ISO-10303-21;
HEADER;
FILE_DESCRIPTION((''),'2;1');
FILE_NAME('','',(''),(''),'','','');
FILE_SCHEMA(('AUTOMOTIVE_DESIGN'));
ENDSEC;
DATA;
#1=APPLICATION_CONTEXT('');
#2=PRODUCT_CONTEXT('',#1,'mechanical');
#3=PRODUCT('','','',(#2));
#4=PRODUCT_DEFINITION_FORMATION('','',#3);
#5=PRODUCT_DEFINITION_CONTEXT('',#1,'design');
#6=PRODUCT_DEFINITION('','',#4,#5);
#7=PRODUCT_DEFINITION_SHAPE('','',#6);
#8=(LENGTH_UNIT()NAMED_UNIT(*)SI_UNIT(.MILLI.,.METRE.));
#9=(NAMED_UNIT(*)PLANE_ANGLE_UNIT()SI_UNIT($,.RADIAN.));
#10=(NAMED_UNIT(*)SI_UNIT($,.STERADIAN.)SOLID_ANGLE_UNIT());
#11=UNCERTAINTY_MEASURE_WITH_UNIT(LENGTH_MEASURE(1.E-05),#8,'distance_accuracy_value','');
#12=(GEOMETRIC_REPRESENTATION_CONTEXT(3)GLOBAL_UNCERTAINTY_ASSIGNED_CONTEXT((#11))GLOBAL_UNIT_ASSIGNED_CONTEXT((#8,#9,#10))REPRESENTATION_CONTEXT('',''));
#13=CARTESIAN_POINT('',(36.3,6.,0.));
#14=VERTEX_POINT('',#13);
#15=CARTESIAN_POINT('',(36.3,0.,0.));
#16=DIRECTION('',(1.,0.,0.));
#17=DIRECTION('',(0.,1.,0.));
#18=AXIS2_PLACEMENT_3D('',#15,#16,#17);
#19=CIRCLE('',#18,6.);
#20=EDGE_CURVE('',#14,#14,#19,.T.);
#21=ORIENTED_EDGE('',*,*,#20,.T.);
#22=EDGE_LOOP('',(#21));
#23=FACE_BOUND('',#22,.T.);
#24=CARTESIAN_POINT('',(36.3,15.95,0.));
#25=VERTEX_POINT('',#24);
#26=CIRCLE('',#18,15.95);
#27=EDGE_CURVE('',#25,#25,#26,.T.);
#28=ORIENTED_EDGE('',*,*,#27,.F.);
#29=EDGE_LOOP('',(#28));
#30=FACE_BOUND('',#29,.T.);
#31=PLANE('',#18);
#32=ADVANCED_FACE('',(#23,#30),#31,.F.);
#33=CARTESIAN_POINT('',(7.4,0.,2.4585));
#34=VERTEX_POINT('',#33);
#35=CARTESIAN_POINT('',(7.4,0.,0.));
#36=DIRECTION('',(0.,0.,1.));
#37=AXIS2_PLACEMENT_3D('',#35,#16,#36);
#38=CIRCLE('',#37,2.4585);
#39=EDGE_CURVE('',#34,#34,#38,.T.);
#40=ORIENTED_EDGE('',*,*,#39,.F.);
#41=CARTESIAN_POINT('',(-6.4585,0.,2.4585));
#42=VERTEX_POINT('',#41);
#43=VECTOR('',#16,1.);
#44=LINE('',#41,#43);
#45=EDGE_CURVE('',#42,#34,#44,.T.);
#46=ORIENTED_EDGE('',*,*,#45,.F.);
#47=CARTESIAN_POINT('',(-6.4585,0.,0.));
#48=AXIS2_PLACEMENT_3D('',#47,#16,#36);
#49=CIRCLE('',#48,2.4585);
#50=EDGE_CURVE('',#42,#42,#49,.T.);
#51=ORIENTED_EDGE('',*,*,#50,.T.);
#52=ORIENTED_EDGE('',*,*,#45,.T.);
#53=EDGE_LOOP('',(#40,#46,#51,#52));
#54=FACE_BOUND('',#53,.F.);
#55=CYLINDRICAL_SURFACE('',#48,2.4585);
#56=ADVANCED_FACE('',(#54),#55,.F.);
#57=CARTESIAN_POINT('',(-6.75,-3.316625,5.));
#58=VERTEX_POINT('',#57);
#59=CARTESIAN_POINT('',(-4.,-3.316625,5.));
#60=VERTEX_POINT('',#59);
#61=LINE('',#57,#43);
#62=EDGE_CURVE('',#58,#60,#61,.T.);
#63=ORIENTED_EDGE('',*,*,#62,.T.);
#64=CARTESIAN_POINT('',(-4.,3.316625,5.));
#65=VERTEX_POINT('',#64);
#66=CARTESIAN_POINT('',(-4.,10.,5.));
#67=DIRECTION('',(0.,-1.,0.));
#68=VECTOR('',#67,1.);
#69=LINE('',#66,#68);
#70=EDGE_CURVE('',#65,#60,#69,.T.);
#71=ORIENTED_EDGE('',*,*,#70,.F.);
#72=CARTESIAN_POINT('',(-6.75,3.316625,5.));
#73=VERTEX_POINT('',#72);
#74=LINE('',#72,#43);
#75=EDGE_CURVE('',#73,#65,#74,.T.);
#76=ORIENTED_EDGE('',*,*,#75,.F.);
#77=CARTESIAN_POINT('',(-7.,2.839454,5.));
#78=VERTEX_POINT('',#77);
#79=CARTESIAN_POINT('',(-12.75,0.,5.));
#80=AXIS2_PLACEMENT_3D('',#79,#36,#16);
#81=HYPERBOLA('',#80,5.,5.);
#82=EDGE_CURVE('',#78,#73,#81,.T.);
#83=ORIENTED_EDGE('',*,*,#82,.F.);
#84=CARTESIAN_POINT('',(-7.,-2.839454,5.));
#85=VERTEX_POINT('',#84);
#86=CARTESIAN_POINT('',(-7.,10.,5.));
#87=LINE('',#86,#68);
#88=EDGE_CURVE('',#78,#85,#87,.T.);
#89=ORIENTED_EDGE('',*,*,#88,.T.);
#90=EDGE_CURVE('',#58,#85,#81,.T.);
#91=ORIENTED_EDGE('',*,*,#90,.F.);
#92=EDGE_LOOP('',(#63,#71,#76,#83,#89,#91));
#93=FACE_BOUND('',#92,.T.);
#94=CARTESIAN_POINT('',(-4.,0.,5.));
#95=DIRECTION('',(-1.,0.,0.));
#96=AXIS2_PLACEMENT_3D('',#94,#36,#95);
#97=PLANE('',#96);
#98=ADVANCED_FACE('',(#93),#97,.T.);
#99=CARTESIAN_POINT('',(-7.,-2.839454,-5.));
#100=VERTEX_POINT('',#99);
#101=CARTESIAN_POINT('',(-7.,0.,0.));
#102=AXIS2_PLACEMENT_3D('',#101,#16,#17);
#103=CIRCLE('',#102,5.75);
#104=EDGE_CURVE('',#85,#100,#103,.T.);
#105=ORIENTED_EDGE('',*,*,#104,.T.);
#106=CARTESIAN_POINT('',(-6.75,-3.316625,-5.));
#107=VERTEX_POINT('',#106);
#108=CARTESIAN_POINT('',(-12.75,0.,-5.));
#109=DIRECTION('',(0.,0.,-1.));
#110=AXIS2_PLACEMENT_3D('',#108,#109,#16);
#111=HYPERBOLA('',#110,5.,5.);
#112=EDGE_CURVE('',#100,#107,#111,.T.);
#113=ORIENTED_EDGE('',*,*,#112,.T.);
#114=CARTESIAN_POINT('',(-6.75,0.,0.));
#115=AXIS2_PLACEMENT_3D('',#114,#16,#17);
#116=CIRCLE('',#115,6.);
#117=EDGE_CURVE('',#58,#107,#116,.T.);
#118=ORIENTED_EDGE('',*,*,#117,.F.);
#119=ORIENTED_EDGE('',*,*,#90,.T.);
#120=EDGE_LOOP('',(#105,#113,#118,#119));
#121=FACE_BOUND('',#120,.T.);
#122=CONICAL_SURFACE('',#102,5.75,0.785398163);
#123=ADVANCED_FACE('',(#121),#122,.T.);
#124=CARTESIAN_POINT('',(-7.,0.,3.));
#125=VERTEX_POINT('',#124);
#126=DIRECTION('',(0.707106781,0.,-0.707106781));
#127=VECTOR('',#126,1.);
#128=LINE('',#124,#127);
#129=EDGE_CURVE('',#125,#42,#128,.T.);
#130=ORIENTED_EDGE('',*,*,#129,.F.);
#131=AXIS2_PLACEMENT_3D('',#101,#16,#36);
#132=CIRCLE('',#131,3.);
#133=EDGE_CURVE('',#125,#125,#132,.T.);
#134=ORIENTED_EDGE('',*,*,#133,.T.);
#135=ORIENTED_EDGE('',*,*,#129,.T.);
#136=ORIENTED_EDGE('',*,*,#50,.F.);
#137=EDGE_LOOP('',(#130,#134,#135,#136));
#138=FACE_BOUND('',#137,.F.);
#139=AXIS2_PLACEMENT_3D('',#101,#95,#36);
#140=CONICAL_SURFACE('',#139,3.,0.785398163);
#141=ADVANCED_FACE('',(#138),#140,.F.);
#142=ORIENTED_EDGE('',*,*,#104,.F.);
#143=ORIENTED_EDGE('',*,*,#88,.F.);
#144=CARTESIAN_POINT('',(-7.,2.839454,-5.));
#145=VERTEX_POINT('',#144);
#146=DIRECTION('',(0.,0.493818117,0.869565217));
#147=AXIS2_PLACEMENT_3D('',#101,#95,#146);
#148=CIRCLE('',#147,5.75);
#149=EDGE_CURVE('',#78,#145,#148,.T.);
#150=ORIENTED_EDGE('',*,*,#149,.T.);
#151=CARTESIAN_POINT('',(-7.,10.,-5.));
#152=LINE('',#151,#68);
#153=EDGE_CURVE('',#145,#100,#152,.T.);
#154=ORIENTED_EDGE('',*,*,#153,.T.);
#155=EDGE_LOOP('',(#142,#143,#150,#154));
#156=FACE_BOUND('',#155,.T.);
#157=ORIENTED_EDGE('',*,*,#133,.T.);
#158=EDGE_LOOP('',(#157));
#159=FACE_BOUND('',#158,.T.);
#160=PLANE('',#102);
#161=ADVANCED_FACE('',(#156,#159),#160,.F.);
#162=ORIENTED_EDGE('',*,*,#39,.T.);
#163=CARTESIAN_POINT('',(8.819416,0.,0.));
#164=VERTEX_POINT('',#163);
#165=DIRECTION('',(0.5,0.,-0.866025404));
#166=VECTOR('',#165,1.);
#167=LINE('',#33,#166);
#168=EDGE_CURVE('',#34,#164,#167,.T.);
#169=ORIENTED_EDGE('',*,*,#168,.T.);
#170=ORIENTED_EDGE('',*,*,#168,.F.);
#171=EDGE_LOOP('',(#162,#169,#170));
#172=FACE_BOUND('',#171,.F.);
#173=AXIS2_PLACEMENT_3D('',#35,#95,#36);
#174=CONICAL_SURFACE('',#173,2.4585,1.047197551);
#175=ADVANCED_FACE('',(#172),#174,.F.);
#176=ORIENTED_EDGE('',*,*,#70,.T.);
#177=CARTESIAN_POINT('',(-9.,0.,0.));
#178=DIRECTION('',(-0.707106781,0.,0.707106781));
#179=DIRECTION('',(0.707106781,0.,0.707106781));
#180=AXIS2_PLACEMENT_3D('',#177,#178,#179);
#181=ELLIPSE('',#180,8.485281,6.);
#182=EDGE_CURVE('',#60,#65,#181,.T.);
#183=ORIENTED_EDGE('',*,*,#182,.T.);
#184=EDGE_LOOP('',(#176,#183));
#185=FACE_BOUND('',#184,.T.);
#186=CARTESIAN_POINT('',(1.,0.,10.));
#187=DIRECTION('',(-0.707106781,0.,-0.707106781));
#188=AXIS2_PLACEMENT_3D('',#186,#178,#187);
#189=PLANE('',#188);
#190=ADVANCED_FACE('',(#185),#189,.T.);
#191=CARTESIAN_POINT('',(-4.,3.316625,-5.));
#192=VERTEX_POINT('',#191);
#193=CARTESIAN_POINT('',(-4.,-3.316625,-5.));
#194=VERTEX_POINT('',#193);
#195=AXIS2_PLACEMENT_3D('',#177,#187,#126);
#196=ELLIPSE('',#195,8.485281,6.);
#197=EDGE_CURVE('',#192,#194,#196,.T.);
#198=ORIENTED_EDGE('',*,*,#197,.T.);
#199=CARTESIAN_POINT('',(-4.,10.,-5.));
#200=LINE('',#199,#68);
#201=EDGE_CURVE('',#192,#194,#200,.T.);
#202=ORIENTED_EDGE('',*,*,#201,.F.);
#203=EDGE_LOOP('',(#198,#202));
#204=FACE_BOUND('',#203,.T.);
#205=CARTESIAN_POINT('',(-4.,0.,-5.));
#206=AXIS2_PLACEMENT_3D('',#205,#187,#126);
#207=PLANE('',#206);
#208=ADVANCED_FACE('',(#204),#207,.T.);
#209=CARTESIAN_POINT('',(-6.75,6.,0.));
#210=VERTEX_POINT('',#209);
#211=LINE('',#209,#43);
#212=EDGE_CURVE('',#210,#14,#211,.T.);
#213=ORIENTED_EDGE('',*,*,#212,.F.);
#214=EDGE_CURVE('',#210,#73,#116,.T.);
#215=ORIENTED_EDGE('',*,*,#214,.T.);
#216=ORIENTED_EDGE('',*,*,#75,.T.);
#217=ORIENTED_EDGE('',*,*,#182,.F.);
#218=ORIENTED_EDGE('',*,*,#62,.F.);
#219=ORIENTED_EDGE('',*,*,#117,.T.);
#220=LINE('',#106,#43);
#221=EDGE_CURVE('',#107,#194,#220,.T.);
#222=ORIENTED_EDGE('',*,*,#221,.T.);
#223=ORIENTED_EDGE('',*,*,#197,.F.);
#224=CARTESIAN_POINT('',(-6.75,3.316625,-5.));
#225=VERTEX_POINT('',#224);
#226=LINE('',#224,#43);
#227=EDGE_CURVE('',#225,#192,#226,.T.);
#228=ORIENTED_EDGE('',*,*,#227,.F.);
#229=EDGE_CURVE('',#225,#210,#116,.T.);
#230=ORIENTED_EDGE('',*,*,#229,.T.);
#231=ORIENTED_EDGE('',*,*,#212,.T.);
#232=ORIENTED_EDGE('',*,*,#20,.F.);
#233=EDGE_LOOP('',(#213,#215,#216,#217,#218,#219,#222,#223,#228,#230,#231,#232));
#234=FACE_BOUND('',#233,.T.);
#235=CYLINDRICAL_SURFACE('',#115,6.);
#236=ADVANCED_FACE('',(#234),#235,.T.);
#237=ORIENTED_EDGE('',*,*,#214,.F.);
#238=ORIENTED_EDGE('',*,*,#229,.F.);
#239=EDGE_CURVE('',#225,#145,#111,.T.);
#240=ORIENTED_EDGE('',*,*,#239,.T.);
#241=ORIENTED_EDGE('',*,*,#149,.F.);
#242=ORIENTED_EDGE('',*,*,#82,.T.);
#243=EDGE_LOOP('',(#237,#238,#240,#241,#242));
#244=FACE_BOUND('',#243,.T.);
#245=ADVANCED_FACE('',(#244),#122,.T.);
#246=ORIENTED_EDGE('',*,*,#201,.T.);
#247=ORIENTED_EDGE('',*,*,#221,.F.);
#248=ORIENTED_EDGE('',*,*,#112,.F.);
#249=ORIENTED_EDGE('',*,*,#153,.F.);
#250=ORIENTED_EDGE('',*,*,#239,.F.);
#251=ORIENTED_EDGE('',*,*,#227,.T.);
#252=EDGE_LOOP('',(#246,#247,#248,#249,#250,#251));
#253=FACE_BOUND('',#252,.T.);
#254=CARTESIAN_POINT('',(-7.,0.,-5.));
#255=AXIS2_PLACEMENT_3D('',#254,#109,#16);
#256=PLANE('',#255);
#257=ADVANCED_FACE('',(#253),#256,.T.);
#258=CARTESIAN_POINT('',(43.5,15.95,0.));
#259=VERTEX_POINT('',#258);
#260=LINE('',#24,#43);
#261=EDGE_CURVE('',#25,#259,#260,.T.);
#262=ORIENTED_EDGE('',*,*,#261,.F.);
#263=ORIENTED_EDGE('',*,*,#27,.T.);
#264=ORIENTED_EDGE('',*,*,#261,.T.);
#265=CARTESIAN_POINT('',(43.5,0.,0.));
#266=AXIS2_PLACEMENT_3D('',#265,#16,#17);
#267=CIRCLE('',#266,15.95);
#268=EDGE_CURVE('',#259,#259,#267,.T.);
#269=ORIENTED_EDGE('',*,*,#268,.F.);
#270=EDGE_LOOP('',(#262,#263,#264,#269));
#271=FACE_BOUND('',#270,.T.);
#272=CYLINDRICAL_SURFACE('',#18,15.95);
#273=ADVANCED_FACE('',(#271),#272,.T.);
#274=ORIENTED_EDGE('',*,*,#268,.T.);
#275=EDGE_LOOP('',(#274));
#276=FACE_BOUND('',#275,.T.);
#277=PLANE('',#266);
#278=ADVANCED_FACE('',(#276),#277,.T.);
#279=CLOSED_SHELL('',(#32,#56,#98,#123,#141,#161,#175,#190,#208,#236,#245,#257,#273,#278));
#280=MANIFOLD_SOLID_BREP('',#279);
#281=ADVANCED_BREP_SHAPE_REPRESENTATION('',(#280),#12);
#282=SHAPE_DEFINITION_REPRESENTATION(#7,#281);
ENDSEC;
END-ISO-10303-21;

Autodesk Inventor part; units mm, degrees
sketch "Sketch_12" plane through (0, 0, 0) normal (0, 0, 1) x (1, 0, 0)
  line L0 (0, 0) -> (-7, 0)
  line L1 (-7, 0) -> (-7, 5.75)
  line L2 (-7, 5.75) -> (-6.75, 6)
  line L3 (-6.75, 6) -> (0, 6)
  line L4 (0, 6) -> (0, 0)
  line L5 (0, 0) -> (-7, 0)
revolve "Revolution1" add sketch "Sketch_12" angle 360 about axis through (0, 0, 0) along (1, 0, 0)
sketch "Sketch_16" plane through (0, 0, 0) normal (0, 0, 1) x (1, 0, 0)
  line L0 (43.5, 0) -> (0, 0)
  line L1 (0, 0) -> (0, 6)
  line L2 (0, 6) -> (36.3, 6)
  line L3 (36.3, 6) -> (36.3, 15.95)
  line L4 (36.3, 15.95) -> (43.5, 15.95)
  line L5 (43.5, 15.95) -> (43.5, 0)
  line L6 (43.5, 0) -> (0, 0)
revolve "Revolution2" add sketch "Sketch_16" angle 360 about axis through (43.5, 0, 0) along (1, 0, 0)
sketch "Sketch_13" plane through (0, 0, 0) normal (0, 1, 0) x (-1, 0, 0)
  line L0 (17, -10) -> (17, 10)
  line L1 (17, 10) -> (-1, 10)
  line L2 (-1, 10) -> (4, 5)
  line L3 (4, 5) -> (7, 5)
  line L4 (7, 5) -> (7, -5)
  line L5 (7, -5) -> (4, -5)
  line L6 (4, -5) -> (-1, -10)
  line L7 (-1, -10) -> (17, -10)
extrude "Extrusion1" cut sketch "Sketch_13" along normal mid plane 20
sketch "Sketch4" plane through (-7, -2.8395, 5) normal (-1, 0, 0) x (0, 0, 1)
  point P0 (-5, 2.8395)
hole "Hole1" at (-7, 0, 0) direction (1, 0, 0) diameter 4.917 depth 14.4 tip angle 120 countersink diameter 6 countersink angle 90 thread size "M6x1" class "6H" standard "ISO Metric profile"
ref_plane "for_body_XY" through (0, 0, 0) normal (1, 0, 0) x (0, 0, -1)
ref_plane "for_body_YZ" through (0, 0, 0) normal (0, 0, -1) x (0, 1, 0)
ref_plane "for_body_ZX" through (0, 0, 0) normal (0, 1, 0) x (1, 0, 0)
ref_plane "for_nut_XY" through (-17.5, 0, 0) normal (-1, 0, 0) x (0, 0, -1)
ref_plane "for_nut_YZ" through (-17.5, 0, 0) normal (0, 0, -1) x (0, -1, 0)
ref_plane "for_nut_ZX" through (-17.5, 0, 0) normal (0, -1, 0) x (-1, 0, 0)
properties part number "SDA-32x2525_r"
